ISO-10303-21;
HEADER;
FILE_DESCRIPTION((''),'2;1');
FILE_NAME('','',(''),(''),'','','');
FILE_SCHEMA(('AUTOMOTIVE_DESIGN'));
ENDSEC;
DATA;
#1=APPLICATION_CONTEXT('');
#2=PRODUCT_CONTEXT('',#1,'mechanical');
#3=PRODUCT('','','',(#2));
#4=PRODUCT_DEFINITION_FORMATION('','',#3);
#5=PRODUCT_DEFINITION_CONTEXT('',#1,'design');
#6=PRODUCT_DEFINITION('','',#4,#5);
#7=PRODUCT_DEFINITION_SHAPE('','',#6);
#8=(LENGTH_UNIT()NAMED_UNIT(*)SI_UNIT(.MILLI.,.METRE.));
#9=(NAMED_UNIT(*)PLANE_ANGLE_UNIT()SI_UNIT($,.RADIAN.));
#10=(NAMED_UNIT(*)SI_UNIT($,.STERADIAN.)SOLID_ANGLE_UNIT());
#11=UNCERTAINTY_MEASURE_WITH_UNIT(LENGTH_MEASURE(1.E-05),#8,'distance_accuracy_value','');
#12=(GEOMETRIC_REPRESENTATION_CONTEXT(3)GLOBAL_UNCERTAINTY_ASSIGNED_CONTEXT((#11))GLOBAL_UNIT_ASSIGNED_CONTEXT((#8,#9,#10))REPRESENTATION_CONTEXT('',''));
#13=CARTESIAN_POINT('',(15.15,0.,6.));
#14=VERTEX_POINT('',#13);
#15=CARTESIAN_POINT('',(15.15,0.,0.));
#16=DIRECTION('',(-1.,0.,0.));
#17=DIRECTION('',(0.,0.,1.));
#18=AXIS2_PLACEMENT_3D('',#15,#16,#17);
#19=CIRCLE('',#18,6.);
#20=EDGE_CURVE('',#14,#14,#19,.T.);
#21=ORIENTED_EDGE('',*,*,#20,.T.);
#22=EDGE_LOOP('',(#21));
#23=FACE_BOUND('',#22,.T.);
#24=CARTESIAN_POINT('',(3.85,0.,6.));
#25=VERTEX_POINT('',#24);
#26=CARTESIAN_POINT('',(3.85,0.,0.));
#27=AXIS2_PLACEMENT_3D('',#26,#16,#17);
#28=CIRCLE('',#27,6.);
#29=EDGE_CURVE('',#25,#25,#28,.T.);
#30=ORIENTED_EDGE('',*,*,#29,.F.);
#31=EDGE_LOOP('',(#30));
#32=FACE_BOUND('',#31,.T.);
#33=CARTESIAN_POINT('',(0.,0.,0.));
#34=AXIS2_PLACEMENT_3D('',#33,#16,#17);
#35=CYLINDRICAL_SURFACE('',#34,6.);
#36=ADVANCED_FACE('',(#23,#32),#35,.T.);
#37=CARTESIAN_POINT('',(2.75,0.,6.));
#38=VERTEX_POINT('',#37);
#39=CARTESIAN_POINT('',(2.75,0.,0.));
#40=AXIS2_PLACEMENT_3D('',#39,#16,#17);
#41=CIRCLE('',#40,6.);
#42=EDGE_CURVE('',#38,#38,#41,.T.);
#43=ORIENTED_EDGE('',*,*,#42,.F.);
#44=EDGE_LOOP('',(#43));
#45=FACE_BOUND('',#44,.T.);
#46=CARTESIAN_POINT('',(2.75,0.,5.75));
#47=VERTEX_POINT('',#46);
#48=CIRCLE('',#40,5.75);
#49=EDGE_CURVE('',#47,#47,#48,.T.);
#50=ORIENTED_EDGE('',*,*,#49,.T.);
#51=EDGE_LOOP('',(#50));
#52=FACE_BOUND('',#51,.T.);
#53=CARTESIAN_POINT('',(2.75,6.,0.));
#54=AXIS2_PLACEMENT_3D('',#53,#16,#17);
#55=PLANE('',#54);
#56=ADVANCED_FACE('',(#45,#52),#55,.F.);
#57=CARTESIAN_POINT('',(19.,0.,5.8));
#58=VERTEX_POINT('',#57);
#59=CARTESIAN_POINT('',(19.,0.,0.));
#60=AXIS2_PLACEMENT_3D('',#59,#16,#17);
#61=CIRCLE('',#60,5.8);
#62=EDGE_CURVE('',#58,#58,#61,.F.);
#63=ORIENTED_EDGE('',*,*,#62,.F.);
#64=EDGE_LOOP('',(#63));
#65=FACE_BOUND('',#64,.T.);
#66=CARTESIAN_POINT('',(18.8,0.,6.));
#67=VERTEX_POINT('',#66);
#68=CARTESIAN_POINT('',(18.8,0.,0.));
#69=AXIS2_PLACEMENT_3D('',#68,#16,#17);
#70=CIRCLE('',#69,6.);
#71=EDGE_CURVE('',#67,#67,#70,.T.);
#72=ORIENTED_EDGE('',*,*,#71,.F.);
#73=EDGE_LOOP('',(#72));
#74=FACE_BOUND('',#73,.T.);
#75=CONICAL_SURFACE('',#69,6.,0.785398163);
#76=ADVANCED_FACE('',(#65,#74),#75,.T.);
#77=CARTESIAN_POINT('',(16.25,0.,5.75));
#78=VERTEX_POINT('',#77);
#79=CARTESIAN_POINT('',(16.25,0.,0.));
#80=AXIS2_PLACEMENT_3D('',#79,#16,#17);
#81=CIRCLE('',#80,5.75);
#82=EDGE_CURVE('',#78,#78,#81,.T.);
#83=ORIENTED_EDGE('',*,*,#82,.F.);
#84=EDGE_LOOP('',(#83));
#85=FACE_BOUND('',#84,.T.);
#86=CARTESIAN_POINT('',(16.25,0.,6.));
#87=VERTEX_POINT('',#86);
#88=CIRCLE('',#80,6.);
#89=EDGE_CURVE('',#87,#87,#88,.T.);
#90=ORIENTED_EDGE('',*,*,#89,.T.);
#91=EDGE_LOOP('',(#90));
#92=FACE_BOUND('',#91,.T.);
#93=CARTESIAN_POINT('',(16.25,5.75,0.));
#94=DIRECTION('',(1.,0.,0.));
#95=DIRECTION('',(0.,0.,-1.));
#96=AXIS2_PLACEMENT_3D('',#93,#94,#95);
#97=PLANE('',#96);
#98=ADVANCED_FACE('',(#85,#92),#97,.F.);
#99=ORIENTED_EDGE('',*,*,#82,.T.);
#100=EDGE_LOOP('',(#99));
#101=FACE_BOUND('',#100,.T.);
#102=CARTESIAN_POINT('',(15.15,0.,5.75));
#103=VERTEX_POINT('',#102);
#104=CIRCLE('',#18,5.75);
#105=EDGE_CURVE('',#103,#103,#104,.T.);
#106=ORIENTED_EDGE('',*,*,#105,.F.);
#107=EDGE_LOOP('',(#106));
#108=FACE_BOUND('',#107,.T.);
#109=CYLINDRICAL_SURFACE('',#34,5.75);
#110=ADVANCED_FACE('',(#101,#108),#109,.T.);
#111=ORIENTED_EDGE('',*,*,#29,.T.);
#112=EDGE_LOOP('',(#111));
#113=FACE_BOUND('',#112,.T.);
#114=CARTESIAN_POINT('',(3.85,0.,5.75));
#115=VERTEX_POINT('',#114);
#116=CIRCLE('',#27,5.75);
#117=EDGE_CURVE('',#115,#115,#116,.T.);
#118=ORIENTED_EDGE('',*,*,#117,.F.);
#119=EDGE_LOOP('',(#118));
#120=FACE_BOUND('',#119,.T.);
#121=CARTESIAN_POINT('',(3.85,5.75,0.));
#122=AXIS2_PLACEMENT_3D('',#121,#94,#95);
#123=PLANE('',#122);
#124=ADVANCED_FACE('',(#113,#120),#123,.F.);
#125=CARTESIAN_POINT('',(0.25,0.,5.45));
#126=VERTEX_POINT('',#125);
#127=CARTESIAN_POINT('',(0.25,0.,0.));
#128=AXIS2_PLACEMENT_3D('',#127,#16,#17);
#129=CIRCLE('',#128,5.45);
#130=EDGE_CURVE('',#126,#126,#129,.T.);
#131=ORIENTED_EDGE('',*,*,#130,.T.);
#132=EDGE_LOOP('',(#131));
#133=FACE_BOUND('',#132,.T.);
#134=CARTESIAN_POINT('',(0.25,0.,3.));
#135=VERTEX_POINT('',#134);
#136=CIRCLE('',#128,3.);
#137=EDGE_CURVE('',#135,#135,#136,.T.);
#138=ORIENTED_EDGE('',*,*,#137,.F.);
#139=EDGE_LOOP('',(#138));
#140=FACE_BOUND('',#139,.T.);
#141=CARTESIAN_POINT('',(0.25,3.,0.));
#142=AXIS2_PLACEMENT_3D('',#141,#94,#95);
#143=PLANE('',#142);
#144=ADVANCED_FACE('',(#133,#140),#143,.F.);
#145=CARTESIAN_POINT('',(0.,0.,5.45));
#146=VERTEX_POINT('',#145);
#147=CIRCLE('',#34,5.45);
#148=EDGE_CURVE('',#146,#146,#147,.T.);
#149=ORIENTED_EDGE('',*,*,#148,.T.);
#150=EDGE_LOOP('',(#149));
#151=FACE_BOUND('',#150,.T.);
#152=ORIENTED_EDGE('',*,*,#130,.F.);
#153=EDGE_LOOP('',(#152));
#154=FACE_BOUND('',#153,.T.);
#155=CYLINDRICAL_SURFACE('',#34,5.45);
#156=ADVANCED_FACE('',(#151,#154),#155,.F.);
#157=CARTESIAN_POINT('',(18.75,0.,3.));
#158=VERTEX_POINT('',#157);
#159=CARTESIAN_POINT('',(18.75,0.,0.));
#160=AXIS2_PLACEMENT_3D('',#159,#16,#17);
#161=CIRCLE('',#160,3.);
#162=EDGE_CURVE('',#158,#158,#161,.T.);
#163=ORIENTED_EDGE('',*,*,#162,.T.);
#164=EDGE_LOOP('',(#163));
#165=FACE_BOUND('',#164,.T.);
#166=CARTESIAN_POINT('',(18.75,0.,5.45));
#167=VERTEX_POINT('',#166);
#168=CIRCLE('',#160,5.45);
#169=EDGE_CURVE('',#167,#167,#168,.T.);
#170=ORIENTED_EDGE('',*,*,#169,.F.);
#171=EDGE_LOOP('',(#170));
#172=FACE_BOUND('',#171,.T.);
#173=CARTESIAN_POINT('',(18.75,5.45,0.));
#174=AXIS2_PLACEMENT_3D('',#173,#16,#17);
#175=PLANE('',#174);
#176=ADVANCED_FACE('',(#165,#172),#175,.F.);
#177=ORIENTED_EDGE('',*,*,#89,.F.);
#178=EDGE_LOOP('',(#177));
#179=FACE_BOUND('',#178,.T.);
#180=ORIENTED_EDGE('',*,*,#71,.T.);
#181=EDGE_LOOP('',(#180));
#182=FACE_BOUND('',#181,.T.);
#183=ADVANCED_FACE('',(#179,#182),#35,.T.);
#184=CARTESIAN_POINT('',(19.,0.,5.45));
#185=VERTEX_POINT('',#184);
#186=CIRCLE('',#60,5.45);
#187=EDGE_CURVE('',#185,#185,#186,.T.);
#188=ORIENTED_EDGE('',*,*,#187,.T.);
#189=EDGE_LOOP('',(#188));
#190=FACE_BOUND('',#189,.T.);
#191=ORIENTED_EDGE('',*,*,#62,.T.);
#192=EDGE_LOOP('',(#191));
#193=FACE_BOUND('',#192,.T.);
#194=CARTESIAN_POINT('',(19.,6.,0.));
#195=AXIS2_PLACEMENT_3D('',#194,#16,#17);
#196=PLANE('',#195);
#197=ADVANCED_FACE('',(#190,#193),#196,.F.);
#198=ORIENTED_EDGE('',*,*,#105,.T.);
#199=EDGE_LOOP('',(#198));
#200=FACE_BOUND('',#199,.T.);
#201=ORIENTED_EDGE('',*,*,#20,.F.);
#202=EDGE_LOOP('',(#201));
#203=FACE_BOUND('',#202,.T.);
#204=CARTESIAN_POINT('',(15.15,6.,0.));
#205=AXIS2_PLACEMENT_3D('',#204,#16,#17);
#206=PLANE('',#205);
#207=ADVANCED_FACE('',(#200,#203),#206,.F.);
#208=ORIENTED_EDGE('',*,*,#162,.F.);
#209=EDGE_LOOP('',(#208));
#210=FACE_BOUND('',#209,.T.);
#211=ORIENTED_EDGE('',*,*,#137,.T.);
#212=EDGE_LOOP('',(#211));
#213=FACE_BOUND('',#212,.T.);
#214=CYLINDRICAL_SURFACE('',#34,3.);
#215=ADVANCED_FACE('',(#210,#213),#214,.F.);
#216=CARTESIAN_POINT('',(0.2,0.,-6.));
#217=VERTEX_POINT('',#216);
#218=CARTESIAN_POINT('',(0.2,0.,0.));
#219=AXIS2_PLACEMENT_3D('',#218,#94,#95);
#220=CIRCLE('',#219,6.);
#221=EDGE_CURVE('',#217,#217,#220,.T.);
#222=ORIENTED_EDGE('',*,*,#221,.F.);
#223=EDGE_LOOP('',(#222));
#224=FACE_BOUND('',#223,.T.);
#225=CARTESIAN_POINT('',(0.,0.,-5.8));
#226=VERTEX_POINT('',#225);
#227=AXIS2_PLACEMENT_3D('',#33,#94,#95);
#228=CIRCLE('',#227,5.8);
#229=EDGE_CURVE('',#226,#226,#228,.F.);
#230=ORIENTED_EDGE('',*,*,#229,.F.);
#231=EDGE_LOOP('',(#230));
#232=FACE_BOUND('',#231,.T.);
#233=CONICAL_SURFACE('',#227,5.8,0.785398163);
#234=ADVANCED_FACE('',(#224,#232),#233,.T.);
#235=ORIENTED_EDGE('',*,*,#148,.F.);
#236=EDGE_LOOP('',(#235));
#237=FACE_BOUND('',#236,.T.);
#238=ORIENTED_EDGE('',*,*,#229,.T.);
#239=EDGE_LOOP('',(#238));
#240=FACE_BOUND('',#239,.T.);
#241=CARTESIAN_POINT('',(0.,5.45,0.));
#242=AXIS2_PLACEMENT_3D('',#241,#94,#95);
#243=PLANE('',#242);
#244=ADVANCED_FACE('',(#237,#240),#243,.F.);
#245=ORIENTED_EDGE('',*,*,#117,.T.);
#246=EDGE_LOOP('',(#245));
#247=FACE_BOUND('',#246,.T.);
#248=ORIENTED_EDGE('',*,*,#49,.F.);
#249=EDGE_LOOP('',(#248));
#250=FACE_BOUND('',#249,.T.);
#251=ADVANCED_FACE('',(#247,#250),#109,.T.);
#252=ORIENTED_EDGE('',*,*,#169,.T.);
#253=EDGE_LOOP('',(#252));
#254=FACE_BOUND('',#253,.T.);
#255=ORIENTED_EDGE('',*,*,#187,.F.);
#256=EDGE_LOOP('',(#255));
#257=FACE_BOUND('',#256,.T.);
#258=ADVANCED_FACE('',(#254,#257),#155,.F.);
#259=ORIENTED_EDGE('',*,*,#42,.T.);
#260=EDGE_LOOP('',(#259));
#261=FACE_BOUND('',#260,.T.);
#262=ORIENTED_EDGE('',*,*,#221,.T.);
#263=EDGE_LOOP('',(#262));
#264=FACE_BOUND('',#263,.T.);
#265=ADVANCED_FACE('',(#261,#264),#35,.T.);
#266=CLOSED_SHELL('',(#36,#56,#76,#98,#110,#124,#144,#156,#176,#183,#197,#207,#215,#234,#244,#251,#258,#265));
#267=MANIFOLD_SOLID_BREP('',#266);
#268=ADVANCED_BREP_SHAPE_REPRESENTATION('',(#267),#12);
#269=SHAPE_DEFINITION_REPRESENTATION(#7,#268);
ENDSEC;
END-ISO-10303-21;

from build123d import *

# Parameters (mm, degrees)
CHAMFER1_SIZE = 0.2


with BuildPart() as part:
    # Sketch1 → Revolve1 (revolve)
    with BuildSketch(Plane.XY, mode=Mode.PRIVATE) as revolve1_sk:
        Polygon((0.25, 3), (0.25, 5.45), (0, 5.45), (0, 6), (2.75, 6), (2.75, 5.75), (3.85, 5.75), (3.85, 6), (15.15, 6), (15.15, 5.75), (16.25, 5.75), (16.25, 6), (19, 6), (19, 5.45), (18.75, 5.45), (18.75, 3), align=None)
    revolve(revolve1_sk.sketch.rotate(Axis((0, 0, 0), (1, 0, 0)), 90), axis=Axis((0, 0, 0), (1, 0, 0)))

    # Chamfer1
    chamfer1_edges = [part.edges().sort_by_distance(p)[0] for p in [
        (19, 0, -6),
        (0, 0, -6),
    ]]
    chamfer(chamfer1_edges, length=CHAMFER1_SIZE)


solid = part.part
